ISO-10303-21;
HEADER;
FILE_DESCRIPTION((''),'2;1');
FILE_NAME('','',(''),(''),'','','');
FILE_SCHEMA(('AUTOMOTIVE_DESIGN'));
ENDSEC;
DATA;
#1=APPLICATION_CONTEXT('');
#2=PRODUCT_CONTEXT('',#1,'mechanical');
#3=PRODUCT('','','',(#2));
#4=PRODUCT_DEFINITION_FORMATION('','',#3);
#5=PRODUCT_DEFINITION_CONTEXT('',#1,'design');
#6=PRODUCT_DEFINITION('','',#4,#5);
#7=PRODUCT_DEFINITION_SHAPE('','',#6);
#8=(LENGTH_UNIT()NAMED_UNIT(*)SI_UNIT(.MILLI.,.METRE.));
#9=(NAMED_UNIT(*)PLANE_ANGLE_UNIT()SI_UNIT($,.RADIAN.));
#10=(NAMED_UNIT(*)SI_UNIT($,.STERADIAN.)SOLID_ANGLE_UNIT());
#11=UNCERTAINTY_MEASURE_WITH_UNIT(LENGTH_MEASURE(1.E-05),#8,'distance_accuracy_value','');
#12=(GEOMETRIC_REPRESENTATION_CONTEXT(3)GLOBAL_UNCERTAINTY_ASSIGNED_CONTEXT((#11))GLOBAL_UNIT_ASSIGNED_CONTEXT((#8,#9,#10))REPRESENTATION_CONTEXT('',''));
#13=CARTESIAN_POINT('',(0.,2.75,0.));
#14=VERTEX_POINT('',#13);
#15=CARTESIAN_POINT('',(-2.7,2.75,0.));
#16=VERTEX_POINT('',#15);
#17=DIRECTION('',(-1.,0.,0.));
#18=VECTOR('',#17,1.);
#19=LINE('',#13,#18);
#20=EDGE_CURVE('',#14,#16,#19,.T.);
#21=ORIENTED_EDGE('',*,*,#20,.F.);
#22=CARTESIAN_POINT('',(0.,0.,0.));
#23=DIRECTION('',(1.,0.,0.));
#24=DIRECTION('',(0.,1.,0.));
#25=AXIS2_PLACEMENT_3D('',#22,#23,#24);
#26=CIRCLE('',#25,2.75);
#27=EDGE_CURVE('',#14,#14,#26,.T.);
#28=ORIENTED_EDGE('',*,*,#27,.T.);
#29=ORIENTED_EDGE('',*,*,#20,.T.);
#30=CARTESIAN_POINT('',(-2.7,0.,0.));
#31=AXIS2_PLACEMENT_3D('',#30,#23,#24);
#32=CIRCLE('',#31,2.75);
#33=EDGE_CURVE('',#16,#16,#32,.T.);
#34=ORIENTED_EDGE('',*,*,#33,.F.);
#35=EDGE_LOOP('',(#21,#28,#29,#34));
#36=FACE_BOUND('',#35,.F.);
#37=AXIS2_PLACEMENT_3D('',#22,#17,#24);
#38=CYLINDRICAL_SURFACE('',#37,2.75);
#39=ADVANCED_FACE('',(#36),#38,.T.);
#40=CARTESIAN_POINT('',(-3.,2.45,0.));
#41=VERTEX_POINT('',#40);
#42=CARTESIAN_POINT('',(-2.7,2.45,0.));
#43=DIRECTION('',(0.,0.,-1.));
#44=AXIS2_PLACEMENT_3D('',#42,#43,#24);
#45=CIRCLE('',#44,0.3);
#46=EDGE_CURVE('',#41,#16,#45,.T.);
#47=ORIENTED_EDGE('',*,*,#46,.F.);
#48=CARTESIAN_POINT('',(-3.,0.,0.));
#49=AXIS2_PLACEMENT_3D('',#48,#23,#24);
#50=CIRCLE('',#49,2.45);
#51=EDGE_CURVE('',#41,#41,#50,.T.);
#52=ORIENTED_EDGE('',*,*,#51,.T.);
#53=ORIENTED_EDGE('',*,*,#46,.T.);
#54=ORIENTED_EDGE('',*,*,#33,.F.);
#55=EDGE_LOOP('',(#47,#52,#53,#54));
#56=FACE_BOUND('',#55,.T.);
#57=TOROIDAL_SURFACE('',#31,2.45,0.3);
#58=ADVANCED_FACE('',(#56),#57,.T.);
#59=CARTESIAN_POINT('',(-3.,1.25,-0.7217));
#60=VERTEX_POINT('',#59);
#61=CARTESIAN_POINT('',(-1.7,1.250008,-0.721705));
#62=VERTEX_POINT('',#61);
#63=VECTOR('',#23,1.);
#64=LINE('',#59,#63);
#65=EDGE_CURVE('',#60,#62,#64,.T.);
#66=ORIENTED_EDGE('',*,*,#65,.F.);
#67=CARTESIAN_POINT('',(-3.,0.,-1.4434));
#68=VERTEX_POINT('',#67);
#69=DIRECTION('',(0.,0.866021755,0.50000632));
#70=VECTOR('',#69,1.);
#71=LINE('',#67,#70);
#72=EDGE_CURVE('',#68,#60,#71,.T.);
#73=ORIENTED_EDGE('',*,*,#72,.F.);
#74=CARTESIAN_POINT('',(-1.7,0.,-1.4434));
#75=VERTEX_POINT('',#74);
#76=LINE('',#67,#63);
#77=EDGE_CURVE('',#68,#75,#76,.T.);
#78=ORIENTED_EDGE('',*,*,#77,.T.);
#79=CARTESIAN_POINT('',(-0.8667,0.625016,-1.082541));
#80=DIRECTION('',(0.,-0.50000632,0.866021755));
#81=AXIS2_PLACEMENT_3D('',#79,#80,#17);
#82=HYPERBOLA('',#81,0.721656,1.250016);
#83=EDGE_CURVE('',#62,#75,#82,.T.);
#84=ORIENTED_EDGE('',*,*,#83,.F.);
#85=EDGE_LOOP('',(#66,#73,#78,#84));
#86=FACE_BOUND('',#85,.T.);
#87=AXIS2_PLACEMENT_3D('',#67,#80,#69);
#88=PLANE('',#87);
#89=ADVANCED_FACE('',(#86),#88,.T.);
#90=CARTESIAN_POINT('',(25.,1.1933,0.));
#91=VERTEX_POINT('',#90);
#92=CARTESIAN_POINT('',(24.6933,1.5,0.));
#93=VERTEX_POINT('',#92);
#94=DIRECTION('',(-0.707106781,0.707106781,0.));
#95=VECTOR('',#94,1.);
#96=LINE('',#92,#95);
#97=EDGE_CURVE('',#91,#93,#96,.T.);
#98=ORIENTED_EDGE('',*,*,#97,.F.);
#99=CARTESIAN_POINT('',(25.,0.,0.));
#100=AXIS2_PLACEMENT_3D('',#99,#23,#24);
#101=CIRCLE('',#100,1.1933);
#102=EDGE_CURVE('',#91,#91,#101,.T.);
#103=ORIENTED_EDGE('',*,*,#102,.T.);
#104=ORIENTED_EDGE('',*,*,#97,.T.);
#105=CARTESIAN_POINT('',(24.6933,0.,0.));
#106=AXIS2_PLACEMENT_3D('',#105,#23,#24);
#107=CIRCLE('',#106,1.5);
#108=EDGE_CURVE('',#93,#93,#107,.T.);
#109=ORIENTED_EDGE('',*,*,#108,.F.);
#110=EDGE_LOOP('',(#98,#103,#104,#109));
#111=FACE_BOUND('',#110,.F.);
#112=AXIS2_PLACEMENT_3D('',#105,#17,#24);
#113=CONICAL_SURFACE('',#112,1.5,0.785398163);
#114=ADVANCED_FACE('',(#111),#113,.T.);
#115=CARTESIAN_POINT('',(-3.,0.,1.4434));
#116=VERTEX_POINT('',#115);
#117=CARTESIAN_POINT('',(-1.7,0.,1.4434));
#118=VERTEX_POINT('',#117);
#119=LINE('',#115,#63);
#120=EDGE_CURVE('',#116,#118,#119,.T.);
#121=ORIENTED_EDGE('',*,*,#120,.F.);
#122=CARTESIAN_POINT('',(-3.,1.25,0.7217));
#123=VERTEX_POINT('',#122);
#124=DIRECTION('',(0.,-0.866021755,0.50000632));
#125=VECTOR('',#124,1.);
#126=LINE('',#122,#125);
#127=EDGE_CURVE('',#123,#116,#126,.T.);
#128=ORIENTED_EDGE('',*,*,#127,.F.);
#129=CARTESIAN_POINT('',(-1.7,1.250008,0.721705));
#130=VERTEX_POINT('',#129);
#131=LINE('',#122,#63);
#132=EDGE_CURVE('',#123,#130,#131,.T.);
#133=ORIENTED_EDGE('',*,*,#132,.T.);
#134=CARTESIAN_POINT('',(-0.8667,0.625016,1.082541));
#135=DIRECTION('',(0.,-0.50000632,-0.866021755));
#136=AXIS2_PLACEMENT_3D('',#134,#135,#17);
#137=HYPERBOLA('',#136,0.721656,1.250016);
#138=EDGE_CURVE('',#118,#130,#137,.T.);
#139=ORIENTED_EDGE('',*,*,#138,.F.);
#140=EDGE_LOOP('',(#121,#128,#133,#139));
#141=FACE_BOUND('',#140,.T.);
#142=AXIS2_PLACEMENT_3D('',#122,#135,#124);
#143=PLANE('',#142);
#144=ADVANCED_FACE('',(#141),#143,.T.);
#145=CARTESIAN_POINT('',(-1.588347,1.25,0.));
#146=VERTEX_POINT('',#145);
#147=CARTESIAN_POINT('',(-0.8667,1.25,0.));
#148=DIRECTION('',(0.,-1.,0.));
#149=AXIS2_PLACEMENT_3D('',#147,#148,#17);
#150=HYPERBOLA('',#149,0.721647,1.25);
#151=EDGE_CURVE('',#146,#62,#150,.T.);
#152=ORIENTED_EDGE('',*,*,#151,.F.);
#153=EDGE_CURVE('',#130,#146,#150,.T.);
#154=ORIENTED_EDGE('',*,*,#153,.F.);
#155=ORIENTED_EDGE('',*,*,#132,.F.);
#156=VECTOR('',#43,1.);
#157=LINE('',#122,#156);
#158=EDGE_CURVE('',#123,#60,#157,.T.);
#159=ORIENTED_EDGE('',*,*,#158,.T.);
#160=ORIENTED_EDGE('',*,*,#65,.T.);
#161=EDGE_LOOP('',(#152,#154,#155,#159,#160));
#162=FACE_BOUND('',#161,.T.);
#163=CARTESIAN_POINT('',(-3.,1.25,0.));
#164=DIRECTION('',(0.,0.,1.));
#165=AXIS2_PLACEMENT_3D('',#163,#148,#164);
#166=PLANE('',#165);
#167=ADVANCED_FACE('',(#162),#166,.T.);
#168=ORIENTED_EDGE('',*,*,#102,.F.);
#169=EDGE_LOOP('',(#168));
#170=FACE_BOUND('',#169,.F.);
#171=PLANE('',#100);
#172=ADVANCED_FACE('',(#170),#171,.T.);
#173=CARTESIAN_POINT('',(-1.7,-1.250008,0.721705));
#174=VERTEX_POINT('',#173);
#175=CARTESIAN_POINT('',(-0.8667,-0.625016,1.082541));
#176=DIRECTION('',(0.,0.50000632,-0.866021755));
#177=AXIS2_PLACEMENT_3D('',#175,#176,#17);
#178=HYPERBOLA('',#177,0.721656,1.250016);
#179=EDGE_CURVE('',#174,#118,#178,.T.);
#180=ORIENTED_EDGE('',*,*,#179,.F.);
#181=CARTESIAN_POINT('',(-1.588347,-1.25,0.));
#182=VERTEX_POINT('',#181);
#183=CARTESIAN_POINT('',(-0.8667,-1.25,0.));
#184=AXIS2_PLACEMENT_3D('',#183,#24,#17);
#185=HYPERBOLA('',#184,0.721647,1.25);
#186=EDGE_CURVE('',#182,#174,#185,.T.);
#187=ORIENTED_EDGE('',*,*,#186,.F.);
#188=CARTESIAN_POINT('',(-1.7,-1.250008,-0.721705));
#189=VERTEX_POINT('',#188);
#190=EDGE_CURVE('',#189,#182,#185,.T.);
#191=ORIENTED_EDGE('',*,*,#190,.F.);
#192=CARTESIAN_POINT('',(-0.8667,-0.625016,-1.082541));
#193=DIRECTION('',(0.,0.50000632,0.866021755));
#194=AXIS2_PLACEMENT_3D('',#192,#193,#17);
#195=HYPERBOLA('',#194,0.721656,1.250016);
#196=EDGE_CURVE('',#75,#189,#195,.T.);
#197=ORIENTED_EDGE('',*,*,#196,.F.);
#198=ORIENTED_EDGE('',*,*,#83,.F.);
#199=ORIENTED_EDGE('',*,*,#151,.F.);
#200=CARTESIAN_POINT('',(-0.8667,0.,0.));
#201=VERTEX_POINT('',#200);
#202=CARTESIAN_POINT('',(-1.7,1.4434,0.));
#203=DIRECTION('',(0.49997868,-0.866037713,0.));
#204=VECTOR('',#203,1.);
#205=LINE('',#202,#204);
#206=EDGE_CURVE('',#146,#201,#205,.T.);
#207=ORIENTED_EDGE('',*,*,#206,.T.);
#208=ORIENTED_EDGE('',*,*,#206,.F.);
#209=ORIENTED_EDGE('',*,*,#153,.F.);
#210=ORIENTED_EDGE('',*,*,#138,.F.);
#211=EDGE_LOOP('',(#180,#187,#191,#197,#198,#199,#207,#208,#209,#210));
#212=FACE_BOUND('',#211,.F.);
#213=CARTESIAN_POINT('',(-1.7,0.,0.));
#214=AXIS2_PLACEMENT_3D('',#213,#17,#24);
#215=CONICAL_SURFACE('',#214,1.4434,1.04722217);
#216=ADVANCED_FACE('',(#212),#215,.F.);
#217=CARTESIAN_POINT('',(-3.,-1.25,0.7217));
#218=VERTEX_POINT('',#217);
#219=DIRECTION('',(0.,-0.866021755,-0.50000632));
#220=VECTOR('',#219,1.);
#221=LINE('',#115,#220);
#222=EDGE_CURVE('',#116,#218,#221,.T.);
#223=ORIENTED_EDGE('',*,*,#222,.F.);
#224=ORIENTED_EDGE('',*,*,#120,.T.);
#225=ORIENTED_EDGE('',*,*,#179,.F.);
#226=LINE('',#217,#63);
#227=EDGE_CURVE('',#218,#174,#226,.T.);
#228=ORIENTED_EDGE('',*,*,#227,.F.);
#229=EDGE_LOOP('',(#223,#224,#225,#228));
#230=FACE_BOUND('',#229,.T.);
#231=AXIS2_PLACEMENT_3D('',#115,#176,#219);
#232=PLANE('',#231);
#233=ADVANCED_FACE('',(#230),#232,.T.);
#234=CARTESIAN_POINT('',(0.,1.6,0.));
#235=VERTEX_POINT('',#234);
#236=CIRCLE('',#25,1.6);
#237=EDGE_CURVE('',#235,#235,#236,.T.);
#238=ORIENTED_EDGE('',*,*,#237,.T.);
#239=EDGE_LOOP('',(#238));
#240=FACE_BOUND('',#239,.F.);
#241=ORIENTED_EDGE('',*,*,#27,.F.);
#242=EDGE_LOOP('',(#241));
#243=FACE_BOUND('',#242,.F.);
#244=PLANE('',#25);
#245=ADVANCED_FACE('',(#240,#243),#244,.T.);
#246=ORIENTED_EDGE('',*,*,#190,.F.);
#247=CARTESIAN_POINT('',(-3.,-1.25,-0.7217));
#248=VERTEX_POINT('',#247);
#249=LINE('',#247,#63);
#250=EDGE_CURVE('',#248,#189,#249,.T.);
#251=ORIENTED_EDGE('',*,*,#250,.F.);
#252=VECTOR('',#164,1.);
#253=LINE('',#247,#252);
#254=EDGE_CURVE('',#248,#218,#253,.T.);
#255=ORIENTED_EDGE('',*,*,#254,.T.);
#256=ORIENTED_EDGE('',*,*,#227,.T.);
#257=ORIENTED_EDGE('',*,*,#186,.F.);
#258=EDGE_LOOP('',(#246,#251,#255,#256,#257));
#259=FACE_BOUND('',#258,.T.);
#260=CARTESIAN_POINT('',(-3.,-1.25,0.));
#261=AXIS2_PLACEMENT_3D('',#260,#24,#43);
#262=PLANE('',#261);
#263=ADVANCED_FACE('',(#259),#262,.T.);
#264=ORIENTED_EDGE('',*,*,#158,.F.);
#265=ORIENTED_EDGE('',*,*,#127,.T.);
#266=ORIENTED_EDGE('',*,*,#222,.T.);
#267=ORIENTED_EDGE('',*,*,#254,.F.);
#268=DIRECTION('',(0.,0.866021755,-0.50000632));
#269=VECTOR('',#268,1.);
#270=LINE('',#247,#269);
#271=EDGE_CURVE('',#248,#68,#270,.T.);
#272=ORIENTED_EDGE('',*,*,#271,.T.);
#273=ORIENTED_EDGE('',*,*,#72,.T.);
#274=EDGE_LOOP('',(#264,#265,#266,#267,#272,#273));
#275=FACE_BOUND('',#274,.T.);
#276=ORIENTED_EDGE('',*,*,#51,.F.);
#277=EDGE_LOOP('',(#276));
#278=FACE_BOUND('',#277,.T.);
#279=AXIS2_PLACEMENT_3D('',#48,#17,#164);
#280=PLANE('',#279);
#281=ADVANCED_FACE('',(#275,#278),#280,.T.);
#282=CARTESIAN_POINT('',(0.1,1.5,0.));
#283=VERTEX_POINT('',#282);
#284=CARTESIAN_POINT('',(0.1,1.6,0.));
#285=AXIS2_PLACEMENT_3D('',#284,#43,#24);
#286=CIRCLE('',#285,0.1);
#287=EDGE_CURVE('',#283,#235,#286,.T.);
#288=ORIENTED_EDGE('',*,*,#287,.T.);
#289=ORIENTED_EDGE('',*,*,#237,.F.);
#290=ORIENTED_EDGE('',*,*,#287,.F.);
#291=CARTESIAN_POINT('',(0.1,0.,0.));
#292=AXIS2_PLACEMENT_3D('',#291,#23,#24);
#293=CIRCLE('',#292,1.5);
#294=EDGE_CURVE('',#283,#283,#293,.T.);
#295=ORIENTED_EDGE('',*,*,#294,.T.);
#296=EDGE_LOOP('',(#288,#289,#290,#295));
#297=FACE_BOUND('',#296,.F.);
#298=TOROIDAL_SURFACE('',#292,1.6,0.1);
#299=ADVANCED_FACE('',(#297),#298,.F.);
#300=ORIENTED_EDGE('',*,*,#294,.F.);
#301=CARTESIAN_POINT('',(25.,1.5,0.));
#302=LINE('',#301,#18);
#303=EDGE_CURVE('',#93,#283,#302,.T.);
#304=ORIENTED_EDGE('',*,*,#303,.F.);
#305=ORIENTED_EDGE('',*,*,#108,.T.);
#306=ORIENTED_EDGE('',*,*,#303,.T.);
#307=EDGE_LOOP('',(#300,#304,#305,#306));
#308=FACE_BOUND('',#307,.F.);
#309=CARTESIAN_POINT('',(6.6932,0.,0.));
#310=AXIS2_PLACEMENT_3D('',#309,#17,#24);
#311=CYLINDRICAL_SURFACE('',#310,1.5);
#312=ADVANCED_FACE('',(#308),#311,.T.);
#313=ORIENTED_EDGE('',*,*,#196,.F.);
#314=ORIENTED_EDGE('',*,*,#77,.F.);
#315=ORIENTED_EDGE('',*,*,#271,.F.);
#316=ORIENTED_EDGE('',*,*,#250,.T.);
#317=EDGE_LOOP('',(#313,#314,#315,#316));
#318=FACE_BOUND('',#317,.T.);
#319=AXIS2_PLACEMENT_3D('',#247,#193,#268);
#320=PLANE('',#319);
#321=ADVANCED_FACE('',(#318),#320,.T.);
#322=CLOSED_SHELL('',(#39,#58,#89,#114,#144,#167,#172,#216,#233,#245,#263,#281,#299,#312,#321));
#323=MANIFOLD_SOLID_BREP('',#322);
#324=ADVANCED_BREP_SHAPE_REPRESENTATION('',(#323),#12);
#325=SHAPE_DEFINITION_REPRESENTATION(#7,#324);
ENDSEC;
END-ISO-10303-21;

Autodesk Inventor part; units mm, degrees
ref_plane "YZ Plane" through (0, 0, 0) normal (1, 0, 0) x (0, 1, 0)
ref_plane "XZ Plane" through (0, 0, 0) normal (0, 1, 0) x (-1, 0, 0)
sketch "Sketch1" plane through (0, 0, 0) normal (0, 0, 1) x (1, 0, 0)
  line L0 (-0.8667, 0) -> (25, 0)
  line L1 (25, 0) -> (25, 1.5)
  line L2 (25, 1.5) -> (7, 1.5)
  line L3 (7, 1.5) -> (6.6932, 1.5)
  line L4 (6.6932, 1.5) -> (0, 1.5)
  line L5 (0, 1.5) -> (0, 2.75)
  line L6 (0, 2.75) -> (-3, 2.75)
  line L7 (-3, 2.75) -> (-3, 1.4434)
  line L8 (-3, 1.4434) -> (-1.7, 1.4434)
  line L9 (-1.7, 1.4434) -> (-0.8667, 0)
  line L10 (-8.6, 0) -> (30.6, 0) projected
  line L11 (0, -0.55) -> (0, 3.3) projected
  line L12 (7, 1.5) -> (0, 1.5) construction
  dimension "d1" = 18
  dimension "d2" = 0.3068
  dimension "d3" = 3
  dimension "d4" = 1.3
  dimension "d5" = 60
  dimension "d6" = 3
  dimension "d7" = 3
  dimension "d8" = 2.8868
  dimension "d9" = 5.5
  dimension "d26" = 25
revolve "Body" add sketch "Sketch1" angle 360 about axis through (-0.8667, 0, 0) along (1, 0, 0)
sketch "Sketch2" plane through (-3, 0, 0) normal (-1, 0, 0) x (0, 0, 1)
  circle A0 centre (0, 0) radius 1.4434 projected
  line L0 (0, -3.85) -> (0, 3.85) projected
  line L1 (-3.85, 0) -> (3.85, 0) projected
  line L2 (1.4434, 0) -> (0.7217, -1.25)
  line L3 (0.7217, -1.25) -> (-0.7217, -1.25)
  line L4 (-0.7217, -1.25) -> (-1.4434, 0)
  line L5 (-1.4434, 0) -> (-0.7217, 1.25)
  line L6 (-0.7217, 1.25) -> (0.7217, 1.25)
  line L7 (0.7217, 1.25) -> (1.4434, 0)
extrude "Slot" add sketch "Sketch2" against normal up to next contours L7 A0 | A0 L2 | L6 L0 A0 | A0 L0 L3 | L0 L6 A0 | A0 L3 L0 | L4 A0 | A0 L5
fillet "Fillet1" radius 0.3 1 edges at (-3, -2.75, 0)
thread "Thread" size "M3x0.5" class "6g" standard "ISO Metric profile" length 18
chamfer "Chamfer1" distance 0.3067 distance2 0.3067 1 edges at (25, -1.5, 0) measured on face at (25, 0.2885, 0.9187)
ref_plane "Work Plane1" through (29, 0, 0) normal (0, -1, 0) x (1, 0, 0)
fillet "Fillet2" radius 0.1 1 edges at (0, -1.5, 0)
equation "\"d1\" = GEL"
equation "\"d3\" = KOH"
equation "\"d4\" = INTI"
equation "\"d6\" = GD"
equation "\"d7\" = BDM"
equation "\"d8\" = 1.1547 * SW"
equation "\"d9\" = KOD"
equation "\"d26\" = NLG"
equation "\"d30\" = R"
equation "\"d17\" = RR"
equation "\"d13\" = GEL"
equation "\"d15\" = -0.5 * SPD + 0.5 * GD"
equation "\"d16\" = GUL"
equation "\"GD\" = 3"
equation "\"NLG\" = 25"
equation "\"GEL\" = 18"
equation "\"KOD\" = 5.5"
equation "\"KOH\" = 3"
equation "\"INTI\" = 1.3"
equation "\"GAL\" = 0.61345 * PTC"
equation "\"GUL\" = 0.61345 * PTC"
equation "\"BDM\" = NND"
equation "\"SW\" = 2.5"
equation "\"RR\" = 0.3"
equation "\"SPD\" = NND - 1.2269 * PTC"
equation "\"R\" = 0.1"
equation "\"TOA\" = 30deg"
equation "\"GD1\" = THREADDIA - 1.2269 * PTC"
equation "\"THREADDIA\" = 3"
equation "\"FAWI\" = 45deg"
equation "\"PTC\" = 0.5"
equation "\"NND\" = 3"
equation "\"E0\" = 1.155 * SW"
properties part number "ISO 4762 - M3 x 25" material "Stainless Steel, 440C"
